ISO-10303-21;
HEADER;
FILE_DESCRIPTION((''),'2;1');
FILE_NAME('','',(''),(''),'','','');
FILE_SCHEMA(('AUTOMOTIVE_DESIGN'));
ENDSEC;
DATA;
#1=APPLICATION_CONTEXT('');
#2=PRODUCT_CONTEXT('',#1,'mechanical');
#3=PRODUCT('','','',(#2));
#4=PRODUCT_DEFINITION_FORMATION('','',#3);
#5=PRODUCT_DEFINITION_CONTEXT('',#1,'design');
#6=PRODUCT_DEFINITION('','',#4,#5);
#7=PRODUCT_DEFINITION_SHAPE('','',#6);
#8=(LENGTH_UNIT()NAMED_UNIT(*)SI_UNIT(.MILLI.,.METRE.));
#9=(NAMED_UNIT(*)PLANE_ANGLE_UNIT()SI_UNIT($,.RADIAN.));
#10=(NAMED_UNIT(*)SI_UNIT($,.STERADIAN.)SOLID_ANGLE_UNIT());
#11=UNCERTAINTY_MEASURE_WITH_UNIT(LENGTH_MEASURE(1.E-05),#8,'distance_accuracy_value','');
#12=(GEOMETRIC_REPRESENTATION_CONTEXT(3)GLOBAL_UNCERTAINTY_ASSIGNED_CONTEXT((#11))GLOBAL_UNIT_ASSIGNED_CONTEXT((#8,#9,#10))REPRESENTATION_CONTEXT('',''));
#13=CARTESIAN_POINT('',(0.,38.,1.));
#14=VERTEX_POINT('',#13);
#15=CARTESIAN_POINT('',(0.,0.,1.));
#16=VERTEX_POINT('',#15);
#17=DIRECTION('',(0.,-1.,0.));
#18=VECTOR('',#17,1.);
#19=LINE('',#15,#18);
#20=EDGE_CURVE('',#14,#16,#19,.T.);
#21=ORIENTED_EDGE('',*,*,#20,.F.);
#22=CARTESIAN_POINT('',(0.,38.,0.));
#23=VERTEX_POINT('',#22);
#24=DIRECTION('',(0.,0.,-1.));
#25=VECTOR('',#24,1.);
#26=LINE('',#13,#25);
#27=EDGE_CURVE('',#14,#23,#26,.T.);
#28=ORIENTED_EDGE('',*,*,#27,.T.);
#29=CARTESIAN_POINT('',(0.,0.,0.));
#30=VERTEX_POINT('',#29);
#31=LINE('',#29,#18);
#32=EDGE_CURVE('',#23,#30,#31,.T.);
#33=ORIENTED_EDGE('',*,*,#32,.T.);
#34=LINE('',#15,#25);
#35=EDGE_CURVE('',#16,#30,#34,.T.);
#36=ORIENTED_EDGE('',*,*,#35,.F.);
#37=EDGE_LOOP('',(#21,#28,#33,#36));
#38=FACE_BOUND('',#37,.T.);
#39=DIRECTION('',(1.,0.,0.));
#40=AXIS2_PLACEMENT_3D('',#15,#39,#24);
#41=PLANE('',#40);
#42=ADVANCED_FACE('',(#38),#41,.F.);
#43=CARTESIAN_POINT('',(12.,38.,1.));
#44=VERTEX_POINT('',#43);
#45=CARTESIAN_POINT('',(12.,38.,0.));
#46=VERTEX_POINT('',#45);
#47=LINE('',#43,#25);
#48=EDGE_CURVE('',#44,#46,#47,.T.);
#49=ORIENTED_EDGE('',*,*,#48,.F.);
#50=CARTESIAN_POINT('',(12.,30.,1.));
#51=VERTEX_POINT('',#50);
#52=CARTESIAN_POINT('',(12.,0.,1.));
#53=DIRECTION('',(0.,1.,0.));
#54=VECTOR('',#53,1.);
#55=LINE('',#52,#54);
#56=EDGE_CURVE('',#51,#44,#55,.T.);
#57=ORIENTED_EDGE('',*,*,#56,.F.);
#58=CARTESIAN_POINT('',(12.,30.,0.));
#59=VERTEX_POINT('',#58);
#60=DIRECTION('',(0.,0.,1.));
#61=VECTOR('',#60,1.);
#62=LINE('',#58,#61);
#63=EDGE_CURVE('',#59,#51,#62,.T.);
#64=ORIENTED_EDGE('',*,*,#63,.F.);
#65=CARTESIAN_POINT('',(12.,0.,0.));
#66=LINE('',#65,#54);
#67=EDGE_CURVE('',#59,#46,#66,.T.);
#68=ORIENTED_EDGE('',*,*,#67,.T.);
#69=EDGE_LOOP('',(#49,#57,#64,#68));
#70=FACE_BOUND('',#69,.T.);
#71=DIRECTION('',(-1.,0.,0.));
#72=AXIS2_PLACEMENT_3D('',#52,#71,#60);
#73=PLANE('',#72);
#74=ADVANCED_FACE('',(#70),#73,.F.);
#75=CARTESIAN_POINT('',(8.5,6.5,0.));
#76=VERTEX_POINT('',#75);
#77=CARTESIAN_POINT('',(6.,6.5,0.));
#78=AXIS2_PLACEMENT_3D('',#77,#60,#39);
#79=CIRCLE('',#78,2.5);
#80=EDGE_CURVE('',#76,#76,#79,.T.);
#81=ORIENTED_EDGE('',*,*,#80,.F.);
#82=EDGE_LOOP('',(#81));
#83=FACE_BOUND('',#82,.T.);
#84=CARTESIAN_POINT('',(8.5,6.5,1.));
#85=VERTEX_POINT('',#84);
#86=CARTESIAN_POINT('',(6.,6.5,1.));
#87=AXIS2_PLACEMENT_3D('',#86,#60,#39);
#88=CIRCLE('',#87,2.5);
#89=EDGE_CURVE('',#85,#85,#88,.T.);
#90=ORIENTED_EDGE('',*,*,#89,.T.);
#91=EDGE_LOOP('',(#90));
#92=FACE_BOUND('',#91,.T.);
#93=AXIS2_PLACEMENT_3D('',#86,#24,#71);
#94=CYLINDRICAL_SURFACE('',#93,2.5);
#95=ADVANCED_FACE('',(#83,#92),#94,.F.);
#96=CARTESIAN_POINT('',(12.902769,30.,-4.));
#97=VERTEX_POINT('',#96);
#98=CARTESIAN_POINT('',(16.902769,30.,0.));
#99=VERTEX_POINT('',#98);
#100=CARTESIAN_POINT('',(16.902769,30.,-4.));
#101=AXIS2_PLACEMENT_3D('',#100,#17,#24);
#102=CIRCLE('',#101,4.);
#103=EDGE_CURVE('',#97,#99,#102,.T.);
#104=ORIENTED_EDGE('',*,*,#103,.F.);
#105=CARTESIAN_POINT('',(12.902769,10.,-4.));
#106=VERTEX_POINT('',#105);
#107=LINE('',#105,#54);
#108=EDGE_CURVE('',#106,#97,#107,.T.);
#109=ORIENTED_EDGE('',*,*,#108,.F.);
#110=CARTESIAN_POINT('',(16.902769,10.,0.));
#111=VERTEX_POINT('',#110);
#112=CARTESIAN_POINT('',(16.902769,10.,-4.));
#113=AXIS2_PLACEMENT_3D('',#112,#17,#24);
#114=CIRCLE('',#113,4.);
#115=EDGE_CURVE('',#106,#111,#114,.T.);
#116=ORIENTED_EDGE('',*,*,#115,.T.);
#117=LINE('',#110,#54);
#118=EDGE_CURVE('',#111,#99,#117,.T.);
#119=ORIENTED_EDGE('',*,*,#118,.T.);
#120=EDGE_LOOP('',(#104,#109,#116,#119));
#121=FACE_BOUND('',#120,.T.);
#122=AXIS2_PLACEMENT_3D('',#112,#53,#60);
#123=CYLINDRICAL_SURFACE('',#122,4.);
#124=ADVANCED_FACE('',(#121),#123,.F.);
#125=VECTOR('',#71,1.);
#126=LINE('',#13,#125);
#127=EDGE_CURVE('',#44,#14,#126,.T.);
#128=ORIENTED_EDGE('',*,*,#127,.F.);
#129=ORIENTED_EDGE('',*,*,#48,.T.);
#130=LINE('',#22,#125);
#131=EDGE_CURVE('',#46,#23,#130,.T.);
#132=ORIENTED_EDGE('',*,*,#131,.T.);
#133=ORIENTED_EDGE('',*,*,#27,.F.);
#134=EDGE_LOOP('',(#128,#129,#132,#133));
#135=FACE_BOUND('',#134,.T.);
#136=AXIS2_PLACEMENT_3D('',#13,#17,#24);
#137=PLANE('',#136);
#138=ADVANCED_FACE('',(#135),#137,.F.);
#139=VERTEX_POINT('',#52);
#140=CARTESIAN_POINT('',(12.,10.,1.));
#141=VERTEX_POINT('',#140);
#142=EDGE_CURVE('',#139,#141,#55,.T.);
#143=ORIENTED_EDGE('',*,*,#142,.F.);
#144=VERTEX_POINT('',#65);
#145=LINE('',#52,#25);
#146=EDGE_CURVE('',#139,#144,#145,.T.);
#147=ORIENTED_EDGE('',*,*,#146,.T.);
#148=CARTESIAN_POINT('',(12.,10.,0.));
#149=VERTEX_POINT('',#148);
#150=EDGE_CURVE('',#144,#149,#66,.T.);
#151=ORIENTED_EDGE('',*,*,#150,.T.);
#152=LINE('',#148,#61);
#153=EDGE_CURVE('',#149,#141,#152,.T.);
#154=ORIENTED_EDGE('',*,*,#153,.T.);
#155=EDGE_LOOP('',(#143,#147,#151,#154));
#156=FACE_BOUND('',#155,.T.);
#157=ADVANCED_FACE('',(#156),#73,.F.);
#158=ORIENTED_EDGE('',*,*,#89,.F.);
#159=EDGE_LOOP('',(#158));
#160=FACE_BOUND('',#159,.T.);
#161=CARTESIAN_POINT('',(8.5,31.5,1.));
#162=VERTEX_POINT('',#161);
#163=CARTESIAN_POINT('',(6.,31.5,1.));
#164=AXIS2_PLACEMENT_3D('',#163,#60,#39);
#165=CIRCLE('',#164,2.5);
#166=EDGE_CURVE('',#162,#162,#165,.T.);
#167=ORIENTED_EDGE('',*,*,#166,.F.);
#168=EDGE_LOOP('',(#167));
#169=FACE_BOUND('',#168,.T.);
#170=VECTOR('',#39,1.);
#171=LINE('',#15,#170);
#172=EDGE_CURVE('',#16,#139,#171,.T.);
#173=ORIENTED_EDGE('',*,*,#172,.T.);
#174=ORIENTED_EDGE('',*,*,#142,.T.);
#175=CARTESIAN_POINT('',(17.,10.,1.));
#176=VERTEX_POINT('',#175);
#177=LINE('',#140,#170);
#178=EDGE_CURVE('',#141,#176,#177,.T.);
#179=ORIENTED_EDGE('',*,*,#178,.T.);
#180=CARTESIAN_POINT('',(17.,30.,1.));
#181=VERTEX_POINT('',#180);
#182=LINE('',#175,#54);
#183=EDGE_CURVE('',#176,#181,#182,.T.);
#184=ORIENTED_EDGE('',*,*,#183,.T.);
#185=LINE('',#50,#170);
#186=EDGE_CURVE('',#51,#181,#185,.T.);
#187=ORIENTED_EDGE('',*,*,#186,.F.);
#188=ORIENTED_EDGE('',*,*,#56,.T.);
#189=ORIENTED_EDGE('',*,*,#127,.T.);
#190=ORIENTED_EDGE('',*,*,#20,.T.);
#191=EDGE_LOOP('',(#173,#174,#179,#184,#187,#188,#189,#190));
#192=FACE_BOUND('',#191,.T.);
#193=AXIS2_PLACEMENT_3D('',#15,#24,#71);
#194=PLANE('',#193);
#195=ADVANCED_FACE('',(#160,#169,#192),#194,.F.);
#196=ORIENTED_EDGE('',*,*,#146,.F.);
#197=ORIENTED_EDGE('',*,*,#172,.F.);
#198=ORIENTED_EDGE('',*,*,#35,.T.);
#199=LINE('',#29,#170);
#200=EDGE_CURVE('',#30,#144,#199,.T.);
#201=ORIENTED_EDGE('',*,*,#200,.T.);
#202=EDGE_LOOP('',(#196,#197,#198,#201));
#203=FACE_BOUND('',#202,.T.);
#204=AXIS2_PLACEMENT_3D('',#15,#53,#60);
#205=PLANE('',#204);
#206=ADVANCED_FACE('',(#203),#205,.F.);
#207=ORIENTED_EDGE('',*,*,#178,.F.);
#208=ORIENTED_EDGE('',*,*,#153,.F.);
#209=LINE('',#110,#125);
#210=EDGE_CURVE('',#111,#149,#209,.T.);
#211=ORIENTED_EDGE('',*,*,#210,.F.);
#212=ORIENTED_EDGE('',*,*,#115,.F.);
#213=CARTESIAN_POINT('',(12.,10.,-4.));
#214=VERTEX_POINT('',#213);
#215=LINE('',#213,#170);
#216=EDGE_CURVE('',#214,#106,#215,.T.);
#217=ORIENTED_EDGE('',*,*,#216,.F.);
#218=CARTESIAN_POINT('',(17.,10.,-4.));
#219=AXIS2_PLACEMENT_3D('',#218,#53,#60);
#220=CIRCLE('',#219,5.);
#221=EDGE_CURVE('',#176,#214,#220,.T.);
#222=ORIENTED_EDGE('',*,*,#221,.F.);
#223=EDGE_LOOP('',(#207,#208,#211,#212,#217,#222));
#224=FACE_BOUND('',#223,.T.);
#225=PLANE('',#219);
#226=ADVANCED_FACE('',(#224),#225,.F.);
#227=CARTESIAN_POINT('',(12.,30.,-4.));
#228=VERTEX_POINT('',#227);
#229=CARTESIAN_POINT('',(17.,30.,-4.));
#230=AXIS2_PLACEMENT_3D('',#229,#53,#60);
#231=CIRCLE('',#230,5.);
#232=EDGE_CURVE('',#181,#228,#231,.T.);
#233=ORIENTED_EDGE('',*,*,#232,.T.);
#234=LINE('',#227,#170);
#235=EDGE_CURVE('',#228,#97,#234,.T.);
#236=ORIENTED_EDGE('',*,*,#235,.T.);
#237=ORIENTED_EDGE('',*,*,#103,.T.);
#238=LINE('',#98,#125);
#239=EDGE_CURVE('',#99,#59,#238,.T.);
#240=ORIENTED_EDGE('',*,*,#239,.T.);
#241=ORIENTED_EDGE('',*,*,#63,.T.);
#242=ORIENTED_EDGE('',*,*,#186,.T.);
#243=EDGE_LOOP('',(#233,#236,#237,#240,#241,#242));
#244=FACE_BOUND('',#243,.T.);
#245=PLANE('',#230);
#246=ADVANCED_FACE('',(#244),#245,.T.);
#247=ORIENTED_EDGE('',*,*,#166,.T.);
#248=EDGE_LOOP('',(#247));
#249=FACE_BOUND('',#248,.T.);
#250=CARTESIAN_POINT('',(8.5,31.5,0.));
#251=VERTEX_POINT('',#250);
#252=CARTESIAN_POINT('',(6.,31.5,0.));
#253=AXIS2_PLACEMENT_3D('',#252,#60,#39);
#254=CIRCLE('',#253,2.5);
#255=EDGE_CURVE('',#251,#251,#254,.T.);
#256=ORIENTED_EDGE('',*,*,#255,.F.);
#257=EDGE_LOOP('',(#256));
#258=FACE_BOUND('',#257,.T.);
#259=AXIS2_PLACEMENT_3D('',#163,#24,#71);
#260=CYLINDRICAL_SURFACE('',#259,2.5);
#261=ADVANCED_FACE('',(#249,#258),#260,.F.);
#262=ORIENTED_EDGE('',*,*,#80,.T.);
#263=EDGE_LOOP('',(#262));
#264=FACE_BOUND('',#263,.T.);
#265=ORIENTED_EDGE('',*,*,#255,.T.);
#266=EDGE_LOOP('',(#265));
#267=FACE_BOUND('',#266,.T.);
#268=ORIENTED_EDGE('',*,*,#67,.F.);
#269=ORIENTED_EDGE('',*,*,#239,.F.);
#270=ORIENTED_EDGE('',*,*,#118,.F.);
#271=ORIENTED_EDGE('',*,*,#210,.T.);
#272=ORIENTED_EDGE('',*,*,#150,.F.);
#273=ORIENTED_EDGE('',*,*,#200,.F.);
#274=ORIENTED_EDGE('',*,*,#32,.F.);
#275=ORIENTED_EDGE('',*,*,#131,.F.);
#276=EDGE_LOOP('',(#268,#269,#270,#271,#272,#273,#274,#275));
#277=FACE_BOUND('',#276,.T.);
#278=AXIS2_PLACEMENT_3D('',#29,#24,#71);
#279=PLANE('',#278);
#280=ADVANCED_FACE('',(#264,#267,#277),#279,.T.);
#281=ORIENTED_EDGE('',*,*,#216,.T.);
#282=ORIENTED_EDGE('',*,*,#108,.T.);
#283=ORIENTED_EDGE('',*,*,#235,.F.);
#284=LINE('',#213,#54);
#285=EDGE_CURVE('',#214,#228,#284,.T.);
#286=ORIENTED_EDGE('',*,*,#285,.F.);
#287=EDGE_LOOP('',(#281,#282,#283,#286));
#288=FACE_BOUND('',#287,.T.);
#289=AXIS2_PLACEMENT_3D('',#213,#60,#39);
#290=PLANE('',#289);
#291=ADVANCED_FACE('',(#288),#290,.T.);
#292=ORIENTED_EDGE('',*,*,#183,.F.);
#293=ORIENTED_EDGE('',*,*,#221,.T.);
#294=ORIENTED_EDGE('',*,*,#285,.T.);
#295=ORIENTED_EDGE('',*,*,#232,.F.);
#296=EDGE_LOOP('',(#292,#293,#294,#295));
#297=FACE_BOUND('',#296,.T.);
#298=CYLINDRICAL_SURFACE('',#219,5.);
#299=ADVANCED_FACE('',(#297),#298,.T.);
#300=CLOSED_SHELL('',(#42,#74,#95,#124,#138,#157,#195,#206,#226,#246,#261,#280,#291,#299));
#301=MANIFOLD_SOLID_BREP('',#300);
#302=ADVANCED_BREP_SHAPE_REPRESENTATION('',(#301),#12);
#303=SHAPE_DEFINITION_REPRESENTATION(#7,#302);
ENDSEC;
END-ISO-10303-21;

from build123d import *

# Parameters (mm, degrees)
SKETCH_1_W      = 12
SKETCH_1_H      = 38
SKETCH_1_R      = 2.5
EXTRUDE_1_DEPTH = 1
EXTRUDE_2_DEPTH = 20


with BuildPart() as part:
    # 草图1 → 凸台-拉伸1 (new body)
    with BuildSketch(Plane.XY):
        with Locations((6, 19)):
            Rectangle(SKETCH_1_W, SKETCH_1_H)
        with Locations((6, 31.5)):
            Circle(SKETCH_1_R, mode=Mode.SUBTRACT)
        with Locations((6, 6.5)):
            Circle(SKETCH_1_R, mode=Mode.SUBTRACT)
    extrude(amount=EXTRUDE_1_DEPTH)

    # 草图2 → 凸台-拉伸2 (add)
    with BuildSketch(Plane(origin=(0, 30, 0), x_dir=(1, 0, 0), z_dir=(0, 1, 0))):
        with BuildLine():
            Line((12, 0), (12, -1))
            Line((12, -1), (17, -1))
            ThreePointArc((17, -1), (20.535533906, 7.535533906), (12, 4))
            Line((12, 4), (12.902768587, 4))
            ThreePointArc((12.902768587, 4), (19.731195711, 6.828427125), (16.902768587, 0))
            Line((16.902768587, 0), (12, 0))
        make_face()
    extrude(amount=-EXTRUDE_2_DEPTH)


solid = part.part
